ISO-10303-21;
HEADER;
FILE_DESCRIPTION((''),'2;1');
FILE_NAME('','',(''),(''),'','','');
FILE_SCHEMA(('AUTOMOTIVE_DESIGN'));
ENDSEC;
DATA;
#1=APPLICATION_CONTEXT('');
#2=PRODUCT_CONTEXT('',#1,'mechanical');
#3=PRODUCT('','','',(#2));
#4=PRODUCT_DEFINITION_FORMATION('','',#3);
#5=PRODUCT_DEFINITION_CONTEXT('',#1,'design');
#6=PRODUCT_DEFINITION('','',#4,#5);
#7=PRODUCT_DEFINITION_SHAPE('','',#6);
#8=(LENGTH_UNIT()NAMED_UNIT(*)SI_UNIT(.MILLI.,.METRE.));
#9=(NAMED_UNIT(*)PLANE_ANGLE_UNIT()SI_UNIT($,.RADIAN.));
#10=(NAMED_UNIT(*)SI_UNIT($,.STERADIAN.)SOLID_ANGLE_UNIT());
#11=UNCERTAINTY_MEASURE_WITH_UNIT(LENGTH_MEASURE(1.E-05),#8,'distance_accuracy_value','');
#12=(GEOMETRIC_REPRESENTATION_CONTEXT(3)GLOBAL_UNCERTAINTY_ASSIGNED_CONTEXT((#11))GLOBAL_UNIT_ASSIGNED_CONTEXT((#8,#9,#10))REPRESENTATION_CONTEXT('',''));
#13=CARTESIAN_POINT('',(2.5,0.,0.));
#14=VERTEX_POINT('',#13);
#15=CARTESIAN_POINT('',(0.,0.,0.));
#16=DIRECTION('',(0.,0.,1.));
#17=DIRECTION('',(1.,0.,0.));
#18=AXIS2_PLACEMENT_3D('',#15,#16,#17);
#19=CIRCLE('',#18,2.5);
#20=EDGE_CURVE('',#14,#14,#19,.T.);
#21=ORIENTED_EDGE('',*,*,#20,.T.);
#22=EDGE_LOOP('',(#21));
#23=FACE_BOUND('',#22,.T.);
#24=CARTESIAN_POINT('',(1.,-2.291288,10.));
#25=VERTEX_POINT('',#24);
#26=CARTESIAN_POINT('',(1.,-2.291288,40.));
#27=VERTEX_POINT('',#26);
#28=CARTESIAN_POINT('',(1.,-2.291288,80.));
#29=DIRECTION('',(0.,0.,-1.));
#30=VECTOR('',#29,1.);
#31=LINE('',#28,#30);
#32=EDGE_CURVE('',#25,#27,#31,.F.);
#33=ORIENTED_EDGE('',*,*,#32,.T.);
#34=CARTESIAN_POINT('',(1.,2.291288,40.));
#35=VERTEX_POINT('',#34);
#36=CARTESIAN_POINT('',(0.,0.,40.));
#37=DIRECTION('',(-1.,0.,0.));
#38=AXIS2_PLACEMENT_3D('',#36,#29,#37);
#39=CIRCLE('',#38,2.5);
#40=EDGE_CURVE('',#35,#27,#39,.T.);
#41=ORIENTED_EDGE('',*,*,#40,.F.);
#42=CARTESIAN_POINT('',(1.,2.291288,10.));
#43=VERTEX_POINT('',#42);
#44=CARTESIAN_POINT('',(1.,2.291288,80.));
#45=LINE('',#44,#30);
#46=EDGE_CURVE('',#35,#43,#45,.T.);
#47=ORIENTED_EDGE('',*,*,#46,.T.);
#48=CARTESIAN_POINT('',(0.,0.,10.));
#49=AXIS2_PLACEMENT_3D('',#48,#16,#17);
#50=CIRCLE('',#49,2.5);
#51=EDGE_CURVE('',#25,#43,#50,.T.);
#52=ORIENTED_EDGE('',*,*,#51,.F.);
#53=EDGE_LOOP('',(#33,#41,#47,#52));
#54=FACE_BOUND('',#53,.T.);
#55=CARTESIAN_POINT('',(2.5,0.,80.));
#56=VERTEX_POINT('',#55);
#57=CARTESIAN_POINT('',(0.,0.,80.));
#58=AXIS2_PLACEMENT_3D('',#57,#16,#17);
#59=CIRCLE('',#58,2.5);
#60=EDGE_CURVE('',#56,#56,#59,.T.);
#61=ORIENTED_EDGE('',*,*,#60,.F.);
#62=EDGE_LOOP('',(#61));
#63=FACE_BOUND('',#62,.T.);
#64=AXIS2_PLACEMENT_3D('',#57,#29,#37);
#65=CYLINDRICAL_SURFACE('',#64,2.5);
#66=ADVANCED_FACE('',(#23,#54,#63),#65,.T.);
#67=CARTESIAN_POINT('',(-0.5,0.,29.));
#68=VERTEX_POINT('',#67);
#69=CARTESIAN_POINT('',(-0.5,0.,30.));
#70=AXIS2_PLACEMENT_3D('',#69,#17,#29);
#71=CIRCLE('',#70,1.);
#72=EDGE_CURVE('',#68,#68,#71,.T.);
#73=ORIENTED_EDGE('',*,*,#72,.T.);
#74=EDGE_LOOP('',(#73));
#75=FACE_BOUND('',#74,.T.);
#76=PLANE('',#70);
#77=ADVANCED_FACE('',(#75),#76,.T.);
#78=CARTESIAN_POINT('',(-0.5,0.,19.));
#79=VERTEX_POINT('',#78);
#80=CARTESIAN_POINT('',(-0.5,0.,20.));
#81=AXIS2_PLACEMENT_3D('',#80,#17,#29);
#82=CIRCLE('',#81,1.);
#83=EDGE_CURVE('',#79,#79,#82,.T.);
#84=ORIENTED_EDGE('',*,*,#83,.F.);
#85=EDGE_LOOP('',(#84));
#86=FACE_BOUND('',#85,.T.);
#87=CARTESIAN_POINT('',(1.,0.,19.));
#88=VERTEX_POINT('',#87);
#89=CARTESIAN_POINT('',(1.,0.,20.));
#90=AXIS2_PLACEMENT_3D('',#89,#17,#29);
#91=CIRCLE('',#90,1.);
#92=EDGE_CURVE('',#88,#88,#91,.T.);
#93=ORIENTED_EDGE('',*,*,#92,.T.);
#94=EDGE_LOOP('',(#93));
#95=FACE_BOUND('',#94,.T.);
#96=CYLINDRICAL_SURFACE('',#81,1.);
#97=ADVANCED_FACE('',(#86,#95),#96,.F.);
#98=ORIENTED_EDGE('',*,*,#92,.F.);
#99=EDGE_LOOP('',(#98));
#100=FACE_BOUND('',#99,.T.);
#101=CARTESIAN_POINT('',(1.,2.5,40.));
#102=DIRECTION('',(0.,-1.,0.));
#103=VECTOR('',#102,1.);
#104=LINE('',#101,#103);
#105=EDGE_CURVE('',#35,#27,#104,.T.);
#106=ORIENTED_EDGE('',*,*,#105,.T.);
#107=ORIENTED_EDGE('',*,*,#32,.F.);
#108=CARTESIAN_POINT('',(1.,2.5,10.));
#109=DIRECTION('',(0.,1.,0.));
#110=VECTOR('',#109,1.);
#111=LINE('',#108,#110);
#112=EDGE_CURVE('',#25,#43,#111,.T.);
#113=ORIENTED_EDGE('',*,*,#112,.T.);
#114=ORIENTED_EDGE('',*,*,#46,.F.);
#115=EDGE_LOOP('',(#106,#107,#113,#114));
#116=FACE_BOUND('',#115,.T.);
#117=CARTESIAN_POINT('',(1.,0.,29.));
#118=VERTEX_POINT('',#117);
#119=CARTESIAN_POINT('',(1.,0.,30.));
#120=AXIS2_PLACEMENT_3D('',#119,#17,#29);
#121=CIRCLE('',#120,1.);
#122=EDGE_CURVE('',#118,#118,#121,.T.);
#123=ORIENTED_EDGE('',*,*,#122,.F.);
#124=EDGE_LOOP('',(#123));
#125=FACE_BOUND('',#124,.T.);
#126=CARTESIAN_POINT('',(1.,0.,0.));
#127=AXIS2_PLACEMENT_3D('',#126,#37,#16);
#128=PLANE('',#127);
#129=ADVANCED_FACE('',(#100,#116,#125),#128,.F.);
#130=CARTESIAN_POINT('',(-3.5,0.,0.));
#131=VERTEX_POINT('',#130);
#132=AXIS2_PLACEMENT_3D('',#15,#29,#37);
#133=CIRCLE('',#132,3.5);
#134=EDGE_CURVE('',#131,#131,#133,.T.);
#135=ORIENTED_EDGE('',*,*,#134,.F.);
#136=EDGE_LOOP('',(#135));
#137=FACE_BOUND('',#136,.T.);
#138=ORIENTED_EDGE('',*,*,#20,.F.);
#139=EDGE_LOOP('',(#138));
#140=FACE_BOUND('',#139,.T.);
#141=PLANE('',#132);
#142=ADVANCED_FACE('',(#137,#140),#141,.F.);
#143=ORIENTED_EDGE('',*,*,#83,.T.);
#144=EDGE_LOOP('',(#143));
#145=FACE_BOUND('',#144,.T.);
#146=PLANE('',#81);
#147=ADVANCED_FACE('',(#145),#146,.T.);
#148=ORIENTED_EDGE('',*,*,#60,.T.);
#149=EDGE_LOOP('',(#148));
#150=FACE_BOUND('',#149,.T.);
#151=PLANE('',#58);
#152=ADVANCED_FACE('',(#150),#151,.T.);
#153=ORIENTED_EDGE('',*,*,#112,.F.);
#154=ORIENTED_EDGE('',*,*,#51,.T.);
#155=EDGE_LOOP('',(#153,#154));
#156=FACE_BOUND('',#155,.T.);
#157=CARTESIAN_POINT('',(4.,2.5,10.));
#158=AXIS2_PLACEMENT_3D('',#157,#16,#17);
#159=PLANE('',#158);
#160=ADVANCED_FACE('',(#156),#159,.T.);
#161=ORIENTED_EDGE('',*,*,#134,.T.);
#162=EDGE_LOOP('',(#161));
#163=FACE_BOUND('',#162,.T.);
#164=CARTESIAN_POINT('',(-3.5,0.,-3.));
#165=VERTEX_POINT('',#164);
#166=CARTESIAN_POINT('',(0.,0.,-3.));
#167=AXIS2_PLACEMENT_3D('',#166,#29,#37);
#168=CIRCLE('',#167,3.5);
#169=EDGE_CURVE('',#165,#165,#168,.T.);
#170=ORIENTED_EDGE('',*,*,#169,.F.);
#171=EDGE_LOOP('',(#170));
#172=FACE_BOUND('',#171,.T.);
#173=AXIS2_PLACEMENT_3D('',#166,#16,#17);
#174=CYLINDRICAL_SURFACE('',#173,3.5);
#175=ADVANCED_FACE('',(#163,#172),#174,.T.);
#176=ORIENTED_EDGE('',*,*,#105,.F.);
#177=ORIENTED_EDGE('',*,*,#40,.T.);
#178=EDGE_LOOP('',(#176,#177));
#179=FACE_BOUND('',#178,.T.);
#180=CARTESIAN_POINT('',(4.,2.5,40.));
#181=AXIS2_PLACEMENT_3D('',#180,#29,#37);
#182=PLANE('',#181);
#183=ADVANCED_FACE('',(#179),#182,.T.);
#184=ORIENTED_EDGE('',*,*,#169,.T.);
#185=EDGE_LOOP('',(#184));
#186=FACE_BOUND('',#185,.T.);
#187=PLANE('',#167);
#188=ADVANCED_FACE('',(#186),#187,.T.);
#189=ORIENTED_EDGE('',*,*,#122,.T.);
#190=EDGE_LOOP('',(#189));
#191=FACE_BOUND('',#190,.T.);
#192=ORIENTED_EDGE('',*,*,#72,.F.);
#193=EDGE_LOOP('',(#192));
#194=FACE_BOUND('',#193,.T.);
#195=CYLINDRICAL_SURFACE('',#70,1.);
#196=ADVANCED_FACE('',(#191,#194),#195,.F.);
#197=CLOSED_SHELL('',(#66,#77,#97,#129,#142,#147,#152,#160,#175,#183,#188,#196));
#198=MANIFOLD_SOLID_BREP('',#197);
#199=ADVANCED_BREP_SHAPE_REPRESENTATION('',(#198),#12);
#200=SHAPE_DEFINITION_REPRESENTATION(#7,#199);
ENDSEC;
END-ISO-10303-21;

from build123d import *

# Parameters (mm, degrees)
ESQUISSE1_R             = 2.5
BOSS_EXTRU_1_DEPTH      = 80
ESQUISSE2_R             = 3.5
BOSS_EXTRU_2_DEPTH      = 3
ESQUISSE3_W             = 30
ESQUISSE3_H             = 5
ENL_V_MAT_EXTRU_1_DEPTH = 3
ESQUISSE4_R             = 1
ENL_V_MAT_EXTRU_2_DEPTH = 1.5


with BuildPart() as part:
    # Esquisse1 → Boss.-Extru.1 (new body)
    with BuildSketch(Plane.XY):
        Circle(ESQUISSE1_R)
    extrude(amount=BOSS_EXTRU_1_DEPTH)

    # Esquisse2 → Boss.-Extru.2 (add)
    with BuildSketch(Plane(origin=(0, 0, 0), x_dir=(-1, 0, 0), z_dir=(0, 0, -1))):
        Circle(ESQUISSE2_R)
    extrude(amount=BOSS_EXTRU_2_DEPTH)

    # Esquisse3 → Enlèv. mat.-Extru.1 (cut)
    with BuildSketch(Plane(origin=(1, 0, 0), x_dir=(0, 0, -1), z_dir=(1, 0, 0))):
        with Locations((-25, 0)):
            Rectangle(ESQUISSE3_W, ESQUISSE3_H)
    extrude(amount=ENL_V_MAT_EXTRU_1_DEPTH, mode=Mode.SUBTRACT)

    # Esquisse4 → Enlèv. mat.-Extru.2 (cut)
    with BuildSketch(Plane(origin=(1, 0, 0), x_dir=(0, 0, -1), z_dir=(1, 0, 0))):
        with Locations((-30, 0)):
            Circle(ESQUISSE4_R)
        with Locations((-20, 0)):
            Circle(ESQUISSE4_R)
    extrude(amount=-ENL_V_MAT_EXTRU_2_DEPTH, mode=Mode.SUBTRACT)


solid = part.part
